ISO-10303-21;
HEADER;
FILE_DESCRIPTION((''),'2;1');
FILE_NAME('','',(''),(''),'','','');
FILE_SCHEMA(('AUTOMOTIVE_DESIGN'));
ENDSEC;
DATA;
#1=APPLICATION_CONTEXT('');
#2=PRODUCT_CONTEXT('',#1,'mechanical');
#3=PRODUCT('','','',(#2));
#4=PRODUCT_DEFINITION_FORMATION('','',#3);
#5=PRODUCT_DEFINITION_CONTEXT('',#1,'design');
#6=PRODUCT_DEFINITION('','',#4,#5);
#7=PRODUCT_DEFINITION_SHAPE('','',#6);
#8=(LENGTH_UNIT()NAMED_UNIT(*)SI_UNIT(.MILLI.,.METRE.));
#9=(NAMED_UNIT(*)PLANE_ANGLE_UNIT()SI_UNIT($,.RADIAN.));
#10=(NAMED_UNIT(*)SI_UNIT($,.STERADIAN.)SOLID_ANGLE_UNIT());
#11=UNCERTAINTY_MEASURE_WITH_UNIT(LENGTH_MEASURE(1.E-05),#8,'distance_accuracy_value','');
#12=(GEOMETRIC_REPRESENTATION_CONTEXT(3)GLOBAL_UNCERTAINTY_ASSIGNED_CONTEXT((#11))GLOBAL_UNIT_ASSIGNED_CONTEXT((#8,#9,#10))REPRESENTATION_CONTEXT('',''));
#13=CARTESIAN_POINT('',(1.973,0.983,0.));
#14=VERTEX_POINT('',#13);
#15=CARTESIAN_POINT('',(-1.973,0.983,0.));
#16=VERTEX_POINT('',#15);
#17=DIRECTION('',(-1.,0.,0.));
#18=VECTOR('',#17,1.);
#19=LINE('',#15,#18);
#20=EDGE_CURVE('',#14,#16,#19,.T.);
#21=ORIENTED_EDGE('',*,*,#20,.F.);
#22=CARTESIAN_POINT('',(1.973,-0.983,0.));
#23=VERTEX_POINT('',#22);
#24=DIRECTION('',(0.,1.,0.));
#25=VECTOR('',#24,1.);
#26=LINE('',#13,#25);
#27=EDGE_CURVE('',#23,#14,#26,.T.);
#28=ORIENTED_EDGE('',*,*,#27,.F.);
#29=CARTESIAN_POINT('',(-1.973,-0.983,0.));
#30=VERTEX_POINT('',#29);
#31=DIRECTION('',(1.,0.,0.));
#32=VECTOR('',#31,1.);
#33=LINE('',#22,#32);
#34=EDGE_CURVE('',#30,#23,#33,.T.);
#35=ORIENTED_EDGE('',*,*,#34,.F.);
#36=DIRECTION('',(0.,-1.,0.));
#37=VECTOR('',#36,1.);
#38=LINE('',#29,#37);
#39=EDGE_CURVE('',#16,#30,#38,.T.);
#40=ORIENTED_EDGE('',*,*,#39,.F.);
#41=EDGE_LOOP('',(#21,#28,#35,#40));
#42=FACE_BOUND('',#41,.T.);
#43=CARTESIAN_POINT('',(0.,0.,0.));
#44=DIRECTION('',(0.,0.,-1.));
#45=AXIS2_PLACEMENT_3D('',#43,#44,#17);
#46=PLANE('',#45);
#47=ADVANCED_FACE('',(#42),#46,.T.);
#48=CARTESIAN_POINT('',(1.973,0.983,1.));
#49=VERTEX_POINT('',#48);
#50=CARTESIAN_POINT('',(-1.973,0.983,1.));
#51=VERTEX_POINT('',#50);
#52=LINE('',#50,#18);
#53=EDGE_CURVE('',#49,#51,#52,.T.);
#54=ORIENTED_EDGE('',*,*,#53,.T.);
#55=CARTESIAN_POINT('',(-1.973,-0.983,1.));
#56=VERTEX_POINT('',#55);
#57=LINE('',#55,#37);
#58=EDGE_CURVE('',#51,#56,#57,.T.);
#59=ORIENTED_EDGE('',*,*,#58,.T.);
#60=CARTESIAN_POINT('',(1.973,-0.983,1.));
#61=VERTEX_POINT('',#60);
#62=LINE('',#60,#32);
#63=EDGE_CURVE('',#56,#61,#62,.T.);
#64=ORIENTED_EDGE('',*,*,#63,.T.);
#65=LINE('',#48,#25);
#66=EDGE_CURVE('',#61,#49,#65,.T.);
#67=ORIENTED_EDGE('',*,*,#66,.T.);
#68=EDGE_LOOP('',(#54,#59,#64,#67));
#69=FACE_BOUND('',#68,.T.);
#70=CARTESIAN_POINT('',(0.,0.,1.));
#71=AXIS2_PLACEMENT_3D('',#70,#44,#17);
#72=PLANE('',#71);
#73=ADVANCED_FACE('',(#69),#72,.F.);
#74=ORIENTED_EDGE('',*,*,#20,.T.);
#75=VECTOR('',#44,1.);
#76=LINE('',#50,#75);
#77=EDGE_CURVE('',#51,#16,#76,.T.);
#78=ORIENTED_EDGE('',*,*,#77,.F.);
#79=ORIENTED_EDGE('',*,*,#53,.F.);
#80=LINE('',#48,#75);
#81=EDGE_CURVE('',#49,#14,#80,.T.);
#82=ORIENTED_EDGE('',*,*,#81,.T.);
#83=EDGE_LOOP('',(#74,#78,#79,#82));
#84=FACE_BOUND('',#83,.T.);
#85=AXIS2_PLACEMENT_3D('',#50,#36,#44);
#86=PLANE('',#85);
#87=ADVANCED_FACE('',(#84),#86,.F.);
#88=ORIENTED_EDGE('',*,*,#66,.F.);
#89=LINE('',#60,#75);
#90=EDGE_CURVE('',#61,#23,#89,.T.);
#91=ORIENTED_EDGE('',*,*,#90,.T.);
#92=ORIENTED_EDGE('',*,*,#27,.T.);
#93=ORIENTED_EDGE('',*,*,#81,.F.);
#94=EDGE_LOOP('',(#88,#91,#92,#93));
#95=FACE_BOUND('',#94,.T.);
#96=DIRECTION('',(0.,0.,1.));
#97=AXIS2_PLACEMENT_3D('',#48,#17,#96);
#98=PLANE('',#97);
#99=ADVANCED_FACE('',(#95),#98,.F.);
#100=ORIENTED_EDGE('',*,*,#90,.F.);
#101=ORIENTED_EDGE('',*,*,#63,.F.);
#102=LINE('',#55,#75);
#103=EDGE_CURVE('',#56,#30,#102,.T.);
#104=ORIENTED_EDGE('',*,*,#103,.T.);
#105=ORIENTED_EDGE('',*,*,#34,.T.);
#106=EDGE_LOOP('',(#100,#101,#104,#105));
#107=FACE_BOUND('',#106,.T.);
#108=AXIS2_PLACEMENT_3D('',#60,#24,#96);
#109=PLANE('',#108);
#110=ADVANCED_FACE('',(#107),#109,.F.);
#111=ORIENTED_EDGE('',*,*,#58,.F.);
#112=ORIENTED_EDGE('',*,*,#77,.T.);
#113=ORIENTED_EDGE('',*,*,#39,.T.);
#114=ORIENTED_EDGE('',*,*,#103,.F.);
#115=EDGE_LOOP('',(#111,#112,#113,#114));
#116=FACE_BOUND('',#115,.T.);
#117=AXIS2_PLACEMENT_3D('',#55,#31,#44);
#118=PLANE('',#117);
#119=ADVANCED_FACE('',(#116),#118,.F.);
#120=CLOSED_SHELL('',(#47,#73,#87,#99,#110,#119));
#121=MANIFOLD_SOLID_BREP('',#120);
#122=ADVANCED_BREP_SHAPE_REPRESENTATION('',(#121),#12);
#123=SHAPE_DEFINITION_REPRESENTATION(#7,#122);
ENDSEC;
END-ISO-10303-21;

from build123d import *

# Parameters (mm, degrees)
SKETCH1_W               = 3.946
SKETCH1_H               = 1.966
COMPONENT_OUTLINE_DEPTH = 1


with BuildPart() as part:
    # Sketch1 → Component_Outline (new body)
    with BuildSketch(Plane.XY):
        Rectangle(SKETCH1_W, SKETCH1_H)
    extrude(amount=COMPONENT_OUTLINE_DEPTH)


solid = part.part
